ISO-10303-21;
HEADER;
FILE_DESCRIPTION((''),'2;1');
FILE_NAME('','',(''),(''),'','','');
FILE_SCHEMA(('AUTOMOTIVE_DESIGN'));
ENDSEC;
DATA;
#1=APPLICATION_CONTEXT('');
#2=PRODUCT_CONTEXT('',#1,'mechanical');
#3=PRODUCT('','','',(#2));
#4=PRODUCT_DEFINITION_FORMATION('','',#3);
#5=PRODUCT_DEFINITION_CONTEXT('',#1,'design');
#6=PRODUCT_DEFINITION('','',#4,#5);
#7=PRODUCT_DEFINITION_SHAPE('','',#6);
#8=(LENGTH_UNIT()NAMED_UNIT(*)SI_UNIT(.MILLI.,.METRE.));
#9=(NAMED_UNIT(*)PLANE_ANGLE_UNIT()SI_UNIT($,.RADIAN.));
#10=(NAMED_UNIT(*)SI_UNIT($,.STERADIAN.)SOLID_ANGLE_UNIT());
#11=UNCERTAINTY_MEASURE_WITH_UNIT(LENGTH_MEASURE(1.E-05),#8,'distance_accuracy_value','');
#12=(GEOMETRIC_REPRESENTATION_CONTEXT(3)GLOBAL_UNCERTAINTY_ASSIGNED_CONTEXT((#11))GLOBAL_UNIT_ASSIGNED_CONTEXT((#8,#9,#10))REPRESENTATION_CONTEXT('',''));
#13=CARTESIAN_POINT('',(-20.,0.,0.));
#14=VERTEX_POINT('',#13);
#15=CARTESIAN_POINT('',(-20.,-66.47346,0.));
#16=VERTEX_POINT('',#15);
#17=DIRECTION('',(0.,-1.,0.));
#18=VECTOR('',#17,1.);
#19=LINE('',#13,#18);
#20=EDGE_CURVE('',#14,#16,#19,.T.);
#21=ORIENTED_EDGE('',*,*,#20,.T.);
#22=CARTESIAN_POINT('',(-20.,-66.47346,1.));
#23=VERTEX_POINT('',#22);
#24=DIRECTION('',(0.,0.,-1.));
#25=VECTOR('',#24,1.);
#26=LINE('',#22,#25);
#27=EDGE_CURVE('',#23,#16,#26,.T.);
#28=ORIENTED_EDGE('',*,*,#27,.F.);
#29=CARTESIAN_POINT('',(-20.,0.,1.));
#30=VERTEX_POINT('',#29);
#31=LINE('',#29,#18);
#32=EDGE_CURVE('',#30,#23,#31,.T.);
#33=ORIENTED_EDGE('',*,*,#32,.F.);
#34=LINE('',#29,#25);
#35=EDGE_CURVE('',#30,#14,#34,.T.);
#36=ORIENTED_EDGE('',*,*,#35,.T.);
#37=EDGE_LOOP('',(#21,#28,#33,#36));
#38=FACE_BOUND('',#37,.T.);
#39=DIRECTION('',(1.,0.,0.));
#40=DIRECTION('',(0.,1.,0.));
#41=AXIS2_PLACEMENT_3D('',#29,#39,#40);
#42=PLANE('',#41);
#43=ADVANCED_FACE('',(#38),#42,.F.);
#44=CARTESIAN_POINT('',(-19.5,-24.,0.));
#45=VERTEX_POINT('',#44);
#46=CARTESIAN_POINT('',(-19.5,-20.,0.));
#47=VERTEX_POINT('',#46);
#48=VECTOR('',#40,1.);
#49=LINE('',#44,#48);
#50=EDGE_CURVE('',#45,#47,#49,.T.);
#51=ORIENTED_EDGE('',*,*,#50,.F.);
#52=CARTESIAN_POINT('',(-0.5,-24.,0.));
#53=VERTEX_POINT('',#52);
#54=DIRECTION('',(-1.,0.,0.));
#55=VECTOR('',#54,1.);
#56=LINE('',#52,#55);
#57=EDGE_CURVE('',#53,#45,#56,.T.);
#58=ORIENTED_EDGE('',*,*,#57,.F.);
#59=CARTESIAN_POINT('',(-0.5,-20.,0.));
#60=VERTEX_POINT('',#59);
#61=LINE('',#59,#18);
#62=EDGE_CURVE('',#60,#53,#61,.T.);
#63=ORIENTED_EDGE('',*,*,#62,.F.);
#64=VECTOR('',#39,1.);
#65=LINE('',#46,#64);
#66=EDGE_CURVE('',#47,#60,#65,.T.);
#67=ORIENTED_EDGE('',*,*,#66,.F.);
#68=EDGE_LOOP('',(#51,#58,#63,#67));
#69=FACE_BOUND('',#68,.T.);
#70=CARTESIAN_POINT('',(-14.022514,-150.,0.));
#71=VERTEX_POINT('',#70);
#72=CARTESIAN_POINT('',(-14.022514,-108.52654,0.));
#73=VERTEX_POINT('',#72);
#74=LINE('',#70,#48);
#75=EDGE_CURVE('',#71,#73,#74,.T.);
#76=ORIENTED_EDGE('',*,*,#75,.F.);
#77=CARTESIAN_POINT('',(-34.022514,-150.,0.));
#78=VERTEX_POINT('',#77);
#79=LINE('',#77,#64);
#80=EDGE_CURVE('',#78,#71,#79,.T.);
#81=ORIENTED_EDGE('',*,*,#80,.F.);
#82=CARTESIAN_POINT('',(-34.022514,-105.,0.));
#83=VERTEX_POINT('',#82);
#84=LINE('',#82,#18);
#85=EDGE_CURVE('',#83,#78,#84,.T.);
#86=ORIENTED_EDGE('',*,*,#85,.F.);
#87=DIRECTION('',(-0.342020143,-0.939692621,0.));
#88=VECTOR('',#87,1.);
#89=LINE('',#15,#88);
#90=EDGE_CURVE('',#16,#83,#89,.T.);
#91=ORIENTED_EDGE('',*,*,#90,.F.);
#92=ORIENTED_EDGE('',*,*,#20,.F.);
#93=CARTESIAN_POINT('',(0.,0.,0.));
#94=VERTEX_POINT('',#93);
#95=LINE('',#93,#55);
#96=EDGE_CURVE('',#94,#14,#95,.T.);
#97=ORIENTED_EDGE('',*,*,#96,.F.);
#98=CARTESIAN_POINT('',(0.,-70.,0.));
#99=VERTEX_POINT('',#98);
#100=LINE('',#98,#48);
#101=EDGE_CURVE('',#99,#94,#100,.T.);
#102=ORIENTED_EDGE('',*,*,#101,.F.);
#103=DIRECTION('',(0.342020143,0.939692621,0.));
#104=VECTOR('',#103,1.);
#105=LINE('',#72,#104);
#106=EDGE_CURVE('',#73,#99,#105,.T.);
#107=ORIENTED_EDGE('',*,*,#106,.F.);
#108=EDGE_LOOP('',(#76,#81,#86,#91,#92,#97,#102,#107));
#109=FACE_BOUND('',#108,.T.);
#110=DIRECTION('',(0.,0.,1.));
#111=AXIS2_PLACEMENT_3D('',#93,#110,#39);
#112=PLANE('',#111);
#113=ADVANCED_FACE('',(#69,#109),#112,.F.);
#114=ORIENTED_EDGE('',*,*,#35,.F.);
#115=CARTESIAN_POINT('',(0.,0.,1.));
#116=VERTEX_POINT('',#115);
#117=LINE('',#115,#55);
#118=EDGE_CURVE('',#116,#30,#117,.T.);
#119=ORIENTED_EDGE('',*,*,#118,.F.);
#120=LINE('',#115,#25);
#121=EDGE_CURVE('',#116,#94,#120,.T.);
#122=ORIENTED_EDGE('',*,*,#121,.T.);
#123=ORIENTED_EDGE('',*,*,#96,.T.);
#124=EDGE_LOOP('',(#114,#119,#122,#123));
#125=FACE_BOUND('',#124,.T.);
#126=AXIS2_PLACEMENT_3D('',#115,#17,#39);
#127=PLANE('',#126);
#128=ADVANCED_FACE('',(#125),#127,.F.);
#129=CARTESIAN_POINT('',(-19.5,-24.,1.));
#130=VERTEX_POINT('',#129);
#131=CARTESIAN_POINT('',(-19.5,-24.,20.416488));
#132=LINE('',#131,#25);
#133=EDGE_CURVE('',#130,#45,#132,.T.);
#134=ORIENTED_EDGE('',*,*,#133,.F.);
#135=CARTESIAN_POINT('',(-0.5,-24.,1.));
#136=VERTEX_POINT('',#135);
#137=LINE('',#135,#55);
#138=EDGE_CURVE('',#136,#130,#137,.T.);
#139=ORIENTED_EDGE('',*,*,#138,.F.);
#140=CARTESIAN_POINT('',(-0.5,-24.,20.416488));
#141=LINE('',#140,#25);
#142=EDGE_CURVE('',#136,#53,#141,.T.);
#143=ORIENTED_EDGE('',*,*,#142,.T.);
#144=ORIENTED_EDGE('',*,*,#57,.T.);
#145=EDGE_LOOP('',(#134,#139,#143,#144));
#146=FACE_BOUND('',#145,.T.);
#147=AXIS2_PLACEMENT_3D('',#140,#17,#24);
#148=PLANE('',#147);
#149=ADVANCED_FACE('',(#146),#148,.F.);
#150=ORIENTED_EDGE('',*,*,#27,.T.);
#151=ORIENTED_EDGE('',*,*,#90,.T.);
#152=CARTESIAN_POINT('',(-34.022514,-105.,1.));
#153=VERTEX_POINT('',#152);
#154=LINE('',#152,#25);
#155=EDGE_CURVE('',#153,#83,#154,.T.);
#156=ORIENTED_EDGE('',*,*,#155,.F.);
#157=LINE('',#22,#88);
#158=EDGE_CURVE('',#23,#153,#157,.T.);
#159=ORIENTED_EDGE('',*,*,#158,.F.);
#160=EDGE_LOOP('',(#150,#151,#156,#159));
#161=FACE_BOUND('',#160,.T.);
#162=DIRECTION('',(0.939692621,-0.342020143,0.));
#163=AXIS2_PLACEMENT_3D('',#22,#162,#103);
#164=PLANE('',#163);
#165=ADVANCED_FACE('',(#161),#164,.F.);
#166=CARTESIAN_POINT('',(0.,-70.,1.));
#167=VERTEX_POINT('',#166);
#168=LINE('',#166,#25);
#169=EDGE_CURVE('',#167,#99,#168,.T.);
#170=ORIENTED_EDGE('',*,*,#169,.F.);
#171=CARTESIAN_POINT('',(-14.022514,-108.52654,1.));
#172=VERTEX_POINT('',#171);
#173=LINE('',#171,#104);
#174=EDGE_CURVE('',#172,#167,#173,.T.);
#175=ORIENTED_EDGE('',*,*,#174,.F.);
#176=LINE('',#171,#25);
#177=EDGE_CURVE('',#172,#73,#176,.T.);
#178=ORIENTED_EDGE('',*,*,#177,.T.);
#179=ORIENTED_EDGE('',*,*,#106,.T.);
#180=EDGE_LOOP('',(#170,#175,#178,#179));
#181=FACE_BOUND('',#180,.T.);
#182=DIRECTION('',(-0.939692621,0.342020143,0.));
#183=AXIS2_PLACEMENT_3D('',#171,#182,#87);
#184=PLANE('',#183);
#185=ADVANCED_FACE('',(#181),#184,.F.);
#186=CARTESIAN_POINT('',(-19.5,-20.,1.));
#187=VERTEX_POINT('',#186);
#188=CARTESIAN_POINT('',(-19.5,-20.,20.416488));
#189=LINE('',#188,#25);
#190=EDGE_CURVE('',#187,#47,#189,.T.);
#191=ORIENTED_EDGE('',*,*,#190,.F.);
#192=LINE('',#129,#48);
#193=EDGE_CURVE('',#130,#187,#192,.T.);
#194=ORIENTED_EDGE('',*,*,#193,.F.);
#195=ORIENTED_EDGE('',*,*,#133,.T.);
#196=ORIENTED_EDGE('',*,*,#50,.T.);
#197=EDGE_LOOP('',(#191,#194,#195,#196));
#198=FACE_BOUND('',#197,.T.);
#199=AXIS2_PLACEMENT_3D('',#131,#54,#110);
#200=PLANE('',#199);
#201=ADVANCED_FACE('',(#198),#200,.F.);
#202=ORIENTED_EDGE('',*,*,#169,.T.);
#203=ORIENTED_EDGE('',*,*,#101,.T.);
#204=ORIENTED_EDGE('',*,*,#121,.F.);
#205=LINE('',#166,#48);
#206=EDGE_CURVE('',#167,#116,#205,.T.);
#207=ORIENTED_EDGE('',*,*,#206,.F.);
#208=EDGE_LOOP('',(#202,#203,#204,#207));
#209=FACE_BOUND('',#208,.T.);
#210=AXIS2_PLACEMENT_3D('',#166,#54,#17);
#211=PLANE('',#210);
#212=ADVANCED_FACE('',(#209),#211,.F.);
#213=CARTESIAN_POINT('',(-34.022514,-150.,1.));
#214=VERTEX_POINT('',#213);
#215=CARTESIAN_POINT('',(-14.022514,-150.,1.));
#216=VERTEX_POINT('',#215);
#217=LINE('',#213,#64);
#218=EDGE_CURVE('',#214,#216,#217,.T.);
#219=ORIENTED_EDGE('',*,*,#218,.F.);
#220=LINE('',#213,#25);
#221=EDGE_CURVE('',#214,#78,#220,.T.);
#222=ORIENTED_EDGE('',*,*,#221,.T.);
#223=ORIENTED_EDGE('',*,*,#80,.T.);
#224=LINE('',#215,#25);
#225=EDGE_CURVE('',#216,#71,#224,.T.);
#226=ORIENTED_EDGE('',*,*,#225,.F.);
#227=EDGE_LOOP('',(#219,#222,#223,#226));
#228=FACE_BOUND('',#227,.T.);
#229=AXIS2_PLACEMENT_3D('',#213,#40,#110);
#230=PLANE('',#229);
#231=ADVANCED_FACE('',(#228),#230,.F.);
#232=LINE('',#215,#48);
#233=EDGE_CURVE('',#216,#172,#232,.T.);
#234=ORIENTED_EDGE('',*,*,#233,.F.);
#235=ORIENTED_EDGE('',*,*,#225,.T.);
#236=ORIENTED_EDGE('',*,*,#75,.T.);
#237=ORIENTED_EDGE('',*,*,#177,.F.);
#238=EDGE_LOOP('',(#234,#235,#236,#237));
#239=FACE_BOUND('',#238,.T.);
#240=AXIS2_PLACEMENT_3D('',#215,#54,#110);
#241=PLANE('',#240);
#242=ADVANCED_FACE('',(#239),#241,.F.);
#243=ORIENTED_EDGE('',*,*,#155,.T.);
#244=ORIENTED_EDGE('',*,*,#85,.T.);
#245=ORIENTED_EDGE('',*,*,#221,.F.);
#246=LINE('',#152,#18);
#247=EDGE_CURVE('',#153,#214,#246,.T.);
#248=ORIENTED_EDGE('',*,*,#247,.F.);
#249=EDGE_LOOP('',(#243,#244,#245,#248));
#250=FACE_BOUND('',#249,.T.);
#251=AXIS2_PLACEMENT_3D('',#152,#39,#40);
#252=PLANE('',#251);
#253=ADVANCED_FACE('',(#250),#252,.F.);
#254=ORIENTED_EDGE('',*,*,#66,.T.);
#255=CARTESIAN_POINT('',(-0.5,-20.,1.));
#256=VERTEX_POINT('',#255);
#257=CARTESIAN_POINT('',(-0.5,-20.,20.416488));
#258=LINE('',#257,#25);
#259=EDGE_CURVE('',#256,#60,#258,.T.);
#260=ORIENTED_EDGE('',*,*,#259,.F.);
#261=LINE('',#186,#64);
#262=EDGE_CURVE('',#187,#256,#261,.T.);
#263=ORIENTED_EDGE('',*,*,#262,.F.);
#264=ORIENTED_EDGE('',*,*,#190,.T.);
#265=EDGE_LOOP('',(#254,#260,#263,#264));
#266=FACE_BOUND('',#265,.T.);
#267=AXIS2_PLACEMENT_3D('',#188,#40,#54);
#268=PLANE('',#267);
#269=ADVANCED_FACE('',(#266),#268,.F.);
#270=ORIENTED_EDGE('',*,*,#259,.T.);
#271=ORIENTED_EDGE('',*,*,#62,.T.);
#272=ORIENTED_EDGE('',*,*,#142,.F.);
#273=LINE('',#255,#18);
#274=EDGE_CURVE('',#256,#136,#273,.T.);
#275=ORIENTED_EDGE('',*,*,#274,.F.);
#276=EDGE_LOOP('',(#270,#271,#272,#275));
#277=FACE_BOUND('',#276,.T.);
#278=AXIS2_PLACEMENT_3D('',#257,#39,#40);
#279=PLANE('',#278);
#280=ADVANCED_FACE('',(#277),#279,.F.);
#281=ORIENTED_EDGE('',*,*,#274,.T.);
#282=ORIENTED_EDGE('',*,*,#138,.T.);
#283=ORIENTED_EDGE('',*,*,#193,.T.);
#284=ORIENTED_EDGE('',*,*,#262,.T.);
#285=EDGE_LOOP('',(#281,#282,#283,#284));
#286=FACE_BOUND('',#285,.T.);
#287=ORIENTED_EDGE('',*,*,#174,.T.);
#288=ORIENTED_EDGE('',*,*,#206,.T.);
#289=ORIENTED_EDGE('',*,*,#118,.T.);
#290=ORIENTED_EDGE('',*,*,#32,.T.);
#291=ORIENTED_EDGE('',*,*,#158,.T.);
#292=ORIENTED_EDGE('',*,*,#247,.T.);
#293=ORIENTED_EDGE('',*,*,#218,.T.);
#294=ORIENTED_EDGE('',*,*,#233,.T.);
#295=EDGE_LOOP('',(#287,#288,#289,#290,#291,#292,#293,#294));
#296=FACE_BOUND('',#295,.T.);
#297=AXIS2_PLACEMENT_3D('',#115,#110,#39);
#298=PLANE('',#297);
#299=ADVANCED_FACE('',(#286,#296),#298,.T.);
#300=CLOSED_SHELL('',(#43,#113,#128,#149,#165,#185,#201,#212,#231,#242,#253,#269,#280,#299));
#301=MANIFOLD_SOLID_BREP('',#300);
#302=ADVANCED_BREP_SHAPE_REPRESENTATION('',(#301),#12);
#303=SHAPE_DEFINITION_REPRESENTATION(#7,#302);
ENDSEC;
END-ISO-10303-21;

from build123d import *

# Parameters (mm, degrees)
BOSS_EXTRUDE1_DEPTH = 1
SKETCH2_W           = 19
SKETCH2_H           = 4
CUT_EXTRUDE1_DEPTH  = 1


with BuildPart() as part:
    # Sketch1 → Boss-Extrude1 (new body)
    with BuildSketch(Plane.XY):
        Polygon((0, 0), (-20, 0), (-20, -66.473460386), (-34.022513649, -105), (-34.022513649, -150), (-14.022513649, -150), (-14.022513649, -108.526539614), (0, -70), align=None)
    extrude(amount=BOSS_EXTRUDE1_DEPTH)

    # Sketch2 → Cut-Extrude1 (cut)
    with BuildSketch(Plane(origin=(0, 0, 0), x_dir=(-1, 0, 0), z_dir=(0, 0, -1))):
        with Locations((10, -22)):
            Rectangle(SKETCH2_W, SKETCH2_H)
    extrude(amount=-CUT_EXTRUDE1_DEPTH, mode=Mode.SUBTRACT)


solid = part.part
